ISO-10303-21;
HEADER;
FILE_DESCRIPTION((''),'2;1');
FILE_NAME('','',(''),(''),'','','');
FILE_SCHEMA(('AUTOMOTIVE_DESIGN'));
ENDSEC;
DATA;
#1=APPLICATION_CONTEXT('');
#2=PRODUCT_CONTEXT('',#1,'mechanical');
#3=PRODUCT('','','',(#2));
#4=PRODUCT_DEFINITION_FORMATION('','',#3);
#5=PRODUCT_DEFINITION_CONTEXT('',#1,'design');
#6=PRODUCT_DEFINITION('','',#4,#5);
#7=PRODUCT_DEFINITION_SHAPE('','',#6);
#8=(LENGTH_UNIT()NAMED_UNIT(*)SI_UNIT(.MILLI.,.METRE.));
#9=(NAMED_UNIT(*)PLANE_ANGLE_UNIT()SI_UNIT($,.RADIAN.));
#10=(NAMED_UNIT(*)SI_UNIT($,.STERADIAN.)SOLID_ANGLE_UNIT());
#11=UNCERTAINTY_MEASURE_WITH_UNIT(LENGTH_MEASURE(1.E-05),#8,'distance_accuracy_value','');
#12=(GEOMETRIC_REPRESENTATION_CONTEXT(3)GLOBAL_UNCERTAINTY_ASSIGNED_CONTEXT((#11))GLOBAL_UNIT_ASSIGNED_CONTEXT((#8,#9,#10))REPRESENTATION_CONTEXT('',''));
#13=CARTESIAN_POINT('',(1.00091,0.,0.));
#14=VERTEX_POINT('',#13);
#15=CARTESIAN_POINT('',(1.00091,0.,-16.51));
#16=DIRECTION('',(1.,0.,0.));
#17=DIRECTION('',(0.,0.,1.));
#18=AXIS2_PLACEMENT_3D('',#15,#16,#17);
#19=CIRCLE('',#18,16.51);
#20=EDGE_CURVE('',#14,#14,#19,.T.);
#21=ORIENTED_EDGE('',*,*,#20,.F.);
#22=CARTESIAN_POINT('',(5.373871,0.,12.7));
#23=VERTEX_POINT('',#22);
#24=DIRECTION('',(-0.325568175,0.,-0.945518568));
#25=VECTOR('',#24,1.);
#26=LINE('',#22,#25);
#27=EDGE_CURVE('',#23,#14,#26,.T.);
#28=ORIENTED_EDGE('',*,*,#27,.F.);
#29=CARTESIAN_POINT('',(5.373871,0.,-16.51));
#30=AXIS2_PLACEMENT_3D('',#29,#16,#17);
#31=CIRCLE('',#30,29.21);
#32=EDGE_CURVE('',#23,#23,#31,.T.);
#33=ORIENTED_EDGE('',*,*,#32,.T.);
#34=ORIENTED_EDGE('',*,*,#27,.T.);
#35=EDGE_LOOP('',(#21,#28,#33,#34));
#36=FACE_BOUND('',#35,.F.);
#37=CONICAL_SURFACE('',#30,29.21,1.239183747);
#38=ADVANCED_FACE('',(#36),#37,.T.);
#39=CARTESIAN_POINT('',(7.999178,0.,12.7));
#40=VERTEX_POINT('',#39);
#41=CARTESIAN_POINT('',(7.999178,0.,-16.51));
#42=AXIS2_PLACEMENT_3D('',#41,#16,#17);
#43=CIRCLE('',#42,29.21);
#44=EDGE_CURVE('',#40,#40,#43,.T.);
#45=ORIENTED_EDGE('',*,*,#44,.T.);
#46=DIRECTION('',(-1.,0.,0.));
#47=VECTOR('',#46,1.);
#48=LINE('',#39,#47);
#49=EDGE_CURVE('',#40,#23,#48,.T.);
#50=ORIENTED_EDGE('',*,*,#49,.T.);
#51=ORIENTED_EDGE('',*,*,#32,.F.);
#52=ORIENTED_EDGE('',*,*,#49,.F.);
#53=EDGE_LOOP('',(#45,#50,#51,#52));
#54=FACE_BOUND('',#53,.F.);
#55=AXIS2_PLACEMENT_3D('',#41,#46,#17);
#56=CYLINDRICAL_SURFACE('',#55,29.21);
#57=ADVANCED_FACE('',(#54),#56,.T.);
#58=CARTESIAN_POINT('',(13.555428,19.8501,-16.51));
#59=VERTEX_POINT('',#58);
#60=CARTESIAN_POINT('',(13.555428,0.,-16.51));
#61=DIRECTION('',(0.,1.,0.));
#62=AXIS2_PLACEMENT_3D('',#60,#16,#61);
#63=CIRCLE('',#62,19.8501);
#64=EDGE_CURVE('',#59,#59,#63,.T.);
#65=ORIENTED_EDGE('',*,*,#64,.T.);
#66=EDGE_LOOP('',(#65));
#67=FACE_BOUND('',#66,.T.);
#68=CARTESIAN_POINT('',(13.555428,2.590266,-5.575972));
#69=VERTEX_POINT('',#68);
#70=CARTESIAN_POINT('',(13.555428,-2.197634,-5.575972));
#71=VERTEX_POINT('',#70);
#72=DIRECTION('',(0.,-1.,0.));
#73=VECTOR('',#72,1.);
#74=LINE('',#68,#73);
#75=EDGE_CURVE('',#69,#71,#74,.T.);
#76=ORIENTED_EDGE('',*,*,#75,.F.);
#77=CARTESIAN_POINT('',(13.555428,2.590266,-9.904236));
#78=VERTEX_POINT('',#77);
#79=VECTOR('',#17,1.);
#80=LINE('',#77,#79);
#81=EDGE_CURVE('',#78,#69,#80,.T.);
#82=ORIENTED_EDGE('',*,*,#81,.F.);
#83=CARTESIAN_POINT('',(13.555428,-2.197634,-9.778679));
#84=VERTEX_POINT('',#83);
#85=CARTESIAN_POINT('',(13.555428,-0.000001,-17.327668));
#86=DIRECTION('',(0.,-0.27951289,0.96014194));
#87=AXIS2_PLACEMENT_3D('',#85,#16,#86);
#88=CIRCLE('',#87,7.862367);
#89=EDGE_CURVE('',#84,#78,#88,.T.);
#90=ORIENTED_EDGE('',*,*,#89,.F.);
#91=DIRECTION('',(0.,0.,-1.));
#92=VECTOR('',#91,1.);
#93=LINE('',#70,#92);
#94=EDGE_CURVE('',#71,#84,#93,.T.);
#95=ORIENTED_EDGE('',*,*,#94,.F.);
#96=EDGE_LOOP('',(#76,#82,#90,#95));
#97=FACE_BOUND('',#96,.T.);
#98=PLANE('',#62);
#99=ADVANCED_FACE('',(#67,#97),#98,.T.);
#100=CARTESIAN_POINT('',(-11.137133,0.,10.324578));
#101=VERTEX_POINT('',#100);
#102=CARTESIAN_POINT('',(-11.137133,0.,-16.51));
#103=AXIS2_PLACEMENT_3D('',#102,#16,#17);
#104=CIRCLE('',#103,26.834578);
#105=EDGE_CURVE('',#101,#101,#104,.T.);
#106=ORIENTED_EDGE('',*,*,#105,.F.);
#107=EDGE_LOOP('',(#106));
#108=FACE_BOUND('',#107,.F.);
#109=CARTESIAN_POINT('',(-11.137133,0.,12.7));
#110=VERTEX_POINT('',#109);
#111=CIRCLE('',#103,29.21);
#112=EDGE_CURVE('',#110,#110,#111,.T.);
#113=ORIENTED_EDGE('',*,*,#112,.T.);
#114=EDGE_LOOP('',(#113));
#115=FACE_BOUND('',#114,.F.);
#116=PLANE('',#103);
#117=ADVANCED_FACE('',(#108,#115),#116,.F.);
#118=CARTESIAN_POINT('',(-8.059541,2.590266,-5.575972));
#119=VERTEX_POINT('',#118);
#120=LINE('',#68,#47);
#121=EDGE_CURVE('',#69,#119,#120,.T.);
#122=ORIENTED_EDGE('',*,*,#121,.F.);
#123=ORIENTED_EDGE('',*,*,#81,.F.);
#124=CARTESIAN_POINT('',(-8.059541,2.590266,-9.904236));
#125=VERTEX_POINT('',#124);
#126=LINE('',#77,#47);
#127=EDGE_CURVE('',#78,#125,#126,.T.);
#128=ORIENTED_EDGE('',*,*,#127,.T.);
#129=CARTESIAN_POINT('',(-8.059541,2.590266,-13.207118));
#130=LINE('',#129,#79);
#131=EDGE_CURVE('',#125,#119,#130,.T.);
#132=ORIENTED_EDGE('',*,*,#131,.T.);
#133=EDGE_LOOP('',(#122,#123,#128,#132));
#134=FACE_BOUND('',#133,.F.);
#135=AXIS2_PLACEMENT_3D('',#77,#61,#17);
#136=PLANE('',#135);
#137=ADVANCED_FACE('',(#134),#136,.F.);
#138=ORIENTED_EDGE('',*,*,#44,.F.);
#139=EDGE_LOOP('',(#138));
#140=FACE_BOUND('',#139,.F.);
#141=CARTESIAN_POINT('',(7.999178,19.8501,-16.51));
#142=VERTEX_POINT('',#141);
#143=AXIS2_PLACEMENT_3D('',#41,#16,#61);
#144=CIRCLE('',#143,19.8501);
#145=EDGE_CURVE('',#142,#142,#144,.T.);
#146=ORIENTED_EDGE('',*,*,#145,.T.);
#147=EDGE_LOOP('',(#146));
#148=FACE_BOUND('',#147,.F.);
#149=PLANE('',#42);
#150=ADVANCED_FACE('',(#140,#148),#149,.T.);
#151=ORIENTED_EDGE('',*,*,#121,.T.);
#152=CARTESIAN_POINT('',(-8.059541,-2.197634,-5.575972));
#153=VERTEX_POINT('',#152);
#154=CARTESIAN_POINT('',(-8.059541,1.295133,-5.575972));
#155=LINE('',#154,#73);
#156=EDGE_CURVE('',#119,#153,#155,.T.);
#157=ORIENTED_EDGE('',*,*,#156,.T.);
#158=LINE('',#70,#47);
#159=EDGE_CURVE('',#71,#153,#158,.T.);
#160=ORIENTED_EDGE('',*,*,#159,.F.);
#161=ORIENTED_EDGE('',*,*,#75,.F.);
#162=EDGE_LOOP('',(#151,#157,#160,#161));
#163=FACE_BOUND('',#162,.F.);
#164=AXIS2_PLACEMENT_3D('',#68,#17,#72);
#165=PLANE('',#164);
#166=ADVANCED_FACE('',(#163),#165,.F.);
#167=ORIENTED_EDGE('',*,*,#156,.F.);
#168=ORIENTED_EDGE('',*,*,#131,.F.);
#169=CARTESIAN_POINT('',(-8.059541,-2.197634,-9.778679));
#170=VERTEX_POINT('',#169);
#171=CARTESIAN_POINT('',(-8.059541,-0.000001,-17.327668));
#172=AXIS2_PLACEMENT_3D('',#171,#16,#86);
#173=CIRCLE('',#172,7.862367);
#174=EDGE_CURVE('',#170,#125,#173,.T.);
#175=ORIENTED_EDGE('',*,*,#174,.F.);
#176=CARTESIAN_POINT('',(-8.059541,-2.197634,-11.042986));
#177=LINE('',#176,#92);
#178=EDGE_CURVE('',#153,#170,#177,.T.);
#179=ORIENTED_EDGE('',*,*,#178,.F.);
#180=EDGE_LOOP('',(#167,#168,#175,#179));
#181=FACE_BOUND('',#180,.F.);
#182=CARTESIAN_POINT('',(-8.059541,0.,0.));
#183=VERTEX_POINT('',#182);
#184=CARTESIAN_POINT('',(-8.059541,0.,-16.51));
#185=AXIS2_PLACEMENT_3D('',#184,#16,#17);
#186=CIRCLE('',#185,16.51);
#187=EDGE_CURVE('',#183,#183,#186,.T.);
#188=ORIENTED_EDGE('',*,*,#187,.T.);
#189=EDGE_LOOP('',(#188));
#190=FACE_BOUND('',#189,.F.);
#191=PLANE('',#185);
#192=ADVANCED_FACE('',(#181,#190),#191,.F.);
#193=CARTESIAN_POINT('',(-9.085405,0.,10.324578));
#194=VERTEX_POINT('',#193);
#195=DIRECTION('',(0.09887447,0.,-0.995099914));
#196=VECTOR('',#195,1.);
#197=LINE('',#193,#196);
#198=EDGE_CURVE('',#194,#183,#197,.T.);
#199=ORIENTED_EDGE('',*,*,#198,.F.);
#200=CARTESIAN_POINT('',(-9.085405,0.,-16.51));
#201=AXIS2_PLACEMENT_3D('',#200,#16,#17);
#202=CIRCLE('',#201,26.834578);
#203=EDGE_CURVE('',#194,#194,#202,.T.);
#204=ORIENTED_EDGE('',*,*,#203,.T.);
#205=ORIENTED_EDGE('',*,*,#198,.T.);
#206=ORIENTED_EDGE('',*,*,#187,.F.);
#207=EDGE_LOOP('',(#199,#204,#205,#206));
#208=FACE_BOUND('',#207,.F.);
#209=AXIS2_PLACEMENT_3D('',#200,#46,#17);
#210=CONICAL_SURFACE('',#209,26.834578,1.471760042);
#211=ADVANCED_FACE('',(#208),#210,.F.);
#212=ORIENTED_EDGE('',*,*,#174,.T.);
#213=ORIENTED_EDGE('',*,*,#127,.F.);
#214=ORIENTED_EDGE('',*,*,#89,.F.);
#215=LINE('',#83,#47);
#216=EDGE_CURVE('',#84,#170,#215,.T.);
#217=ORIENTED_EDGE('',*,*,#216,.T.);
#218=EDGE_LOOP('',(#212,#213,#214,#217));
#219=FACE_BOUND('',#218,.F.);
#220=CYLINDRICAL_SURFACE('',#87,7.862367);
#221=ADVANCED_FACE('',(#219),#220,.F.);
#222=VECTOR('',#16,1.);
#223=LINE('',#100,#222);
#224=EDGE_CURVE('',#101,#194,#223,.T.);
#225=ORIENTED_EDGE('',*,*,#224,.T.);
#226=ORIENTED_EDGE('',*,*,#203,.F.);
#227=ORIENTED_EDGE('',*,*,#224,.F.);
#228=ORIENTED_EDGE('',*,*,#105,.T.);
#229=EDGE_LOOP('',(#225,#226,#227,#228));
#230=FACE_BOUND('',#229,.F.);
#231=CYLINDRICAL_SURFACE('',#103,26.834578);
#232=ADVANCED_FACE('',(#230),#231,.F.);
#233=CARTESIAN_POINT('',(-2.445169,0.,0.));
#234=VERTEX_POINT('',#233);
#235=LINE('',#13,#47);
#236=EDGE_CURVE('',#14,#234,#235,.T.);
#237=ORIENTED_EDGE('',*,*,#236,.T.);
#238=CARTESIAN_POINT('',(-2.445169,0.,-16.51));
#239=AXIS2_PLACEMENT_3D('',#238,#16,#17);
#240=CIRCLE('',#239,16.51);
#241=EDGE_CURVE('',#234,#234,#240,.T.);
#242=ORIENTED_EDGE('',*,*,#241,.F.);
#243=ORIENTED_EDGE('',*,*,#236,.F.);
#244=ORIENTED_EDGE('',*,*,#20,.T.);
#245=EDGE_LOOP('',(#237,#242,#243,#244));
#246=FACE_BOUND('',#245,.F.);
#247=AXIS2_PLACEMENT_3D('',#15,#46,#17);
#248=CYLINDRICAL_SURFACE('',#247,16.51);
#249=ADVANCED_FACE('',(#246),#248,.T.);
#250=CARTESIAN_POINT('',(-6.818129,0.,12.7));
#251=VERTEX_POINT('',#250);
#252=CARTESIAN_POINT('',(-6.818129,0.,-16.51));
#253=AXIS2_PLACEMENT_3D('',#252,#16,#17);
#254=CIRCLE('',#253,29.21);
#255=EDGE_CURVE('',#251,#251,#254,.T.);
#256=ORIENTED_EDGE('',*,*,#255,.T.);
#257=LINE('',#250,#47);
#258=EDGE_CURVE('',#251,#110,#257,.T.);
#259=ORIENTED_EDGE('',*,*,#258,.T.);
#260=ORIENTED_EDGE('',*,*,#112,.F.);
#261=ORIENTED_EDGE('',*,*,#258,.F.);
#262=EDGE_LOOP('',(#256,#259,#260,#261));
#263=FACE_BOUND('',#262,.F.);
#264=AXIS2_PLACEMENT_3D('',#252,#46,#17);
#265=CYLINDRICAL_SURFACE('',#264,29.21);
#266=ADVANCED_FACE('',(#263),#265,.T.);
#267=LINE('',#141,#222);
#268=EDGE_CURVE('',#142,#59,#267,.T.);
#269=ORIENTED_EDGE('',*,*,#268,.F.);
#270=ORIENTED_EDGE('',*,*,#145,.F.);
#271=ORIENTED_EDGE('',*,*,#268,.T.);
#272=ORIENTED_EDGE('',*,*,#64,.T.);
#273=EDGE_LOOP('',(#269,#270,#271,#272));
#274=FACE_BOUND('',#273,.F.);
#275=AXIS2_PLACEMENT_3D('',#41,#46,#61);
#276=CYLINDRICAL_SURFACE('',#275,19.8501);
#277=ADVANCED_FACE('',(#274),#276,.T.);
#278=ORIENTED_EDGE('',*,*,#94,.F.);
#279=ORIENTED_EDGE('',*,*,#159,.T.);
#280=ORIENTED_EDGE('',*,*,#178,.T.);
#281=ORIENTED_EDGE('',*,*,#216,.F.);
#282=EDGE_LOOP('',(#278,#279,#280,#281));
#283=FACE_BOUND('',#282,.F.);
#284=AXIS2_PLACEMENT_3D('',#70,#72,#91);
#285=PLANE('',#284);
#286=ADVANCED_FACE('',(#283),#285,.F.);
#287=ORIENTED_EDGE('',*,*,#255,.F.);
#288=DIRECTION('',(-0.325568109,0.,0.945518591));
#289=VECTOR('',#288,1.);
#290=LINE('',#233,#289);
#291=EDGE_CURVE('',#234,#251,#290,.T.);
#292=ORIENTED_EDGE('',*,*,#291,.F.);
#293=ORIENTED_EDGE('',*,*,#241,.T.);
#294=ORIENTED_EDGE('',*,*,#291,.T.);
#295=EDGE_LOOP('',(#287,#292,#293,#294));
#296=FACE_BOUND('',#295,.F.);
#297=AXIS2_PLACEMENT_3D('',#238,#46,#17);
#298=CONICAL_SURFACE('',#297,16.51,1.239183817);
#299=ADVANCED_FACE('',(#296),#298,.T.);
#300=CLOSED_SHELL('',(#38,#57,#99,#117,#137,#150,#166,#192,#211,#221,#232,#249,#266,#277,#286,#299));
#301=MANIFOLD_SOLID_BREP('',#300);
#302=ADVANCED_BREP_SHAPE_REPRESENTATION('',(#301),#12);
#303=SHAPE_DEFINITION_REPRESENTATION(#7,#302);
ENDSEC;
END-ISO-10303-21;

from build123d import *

# Parameters (mm, degrees)
F2_R     = 19.8501
F3_DEPTH = 5.55625
F5_DEPTH = 254


with BuildPart() as f1:
    # F0 (on Front) → F1 (revolve)
    with BuildSketch(Plane.XZ):
        Polygon((1.00091, 0), (0, 0), (-2.445169, 0), (-6.818129, 12.7), (-11.137133, 12.7), (-11.137133, 10.324578), (-9.085405, 10.324578), (-8.059541, 0), (-8.059541, -16.51), (7.999178, -16.51), (7.999178, 0), (7.999178, 12.7), (5.373871, 12.7), align=None)
    revolve(axis=Axis((-0.030182, 0, -16.51), (1, 0, 0)))

    # F2 (on face) → F3 (join)
    with BuildSketch(Plane.YZ.offset(7.999178)):
        with Locations((0, -16.51)):
            Circle(F2_R)
    extrude(amount=F3_DEPTH)

    # F4 (on face) → F5 (cut)
    with BuildSketch(Plane.YZ.offset(13.555428)):
        with BuildLine():
            Line((-2.197634, -5.575972), (-2.197634, -9.778679))
            ThreePointArc((-2.197634, -9.778679), (-0.206109, -25.187333), (2.590266, -9.904236))
            Line((2.590266, -9.904236), (2.590266, -5.575972))
            Line((2.590266, -5.575972), (-2.197634, -5.575972))
        make_face()
    extrude(amount=-F5_DEPTH, mode=Mode.SUBTRACT)


solid = f1.part
